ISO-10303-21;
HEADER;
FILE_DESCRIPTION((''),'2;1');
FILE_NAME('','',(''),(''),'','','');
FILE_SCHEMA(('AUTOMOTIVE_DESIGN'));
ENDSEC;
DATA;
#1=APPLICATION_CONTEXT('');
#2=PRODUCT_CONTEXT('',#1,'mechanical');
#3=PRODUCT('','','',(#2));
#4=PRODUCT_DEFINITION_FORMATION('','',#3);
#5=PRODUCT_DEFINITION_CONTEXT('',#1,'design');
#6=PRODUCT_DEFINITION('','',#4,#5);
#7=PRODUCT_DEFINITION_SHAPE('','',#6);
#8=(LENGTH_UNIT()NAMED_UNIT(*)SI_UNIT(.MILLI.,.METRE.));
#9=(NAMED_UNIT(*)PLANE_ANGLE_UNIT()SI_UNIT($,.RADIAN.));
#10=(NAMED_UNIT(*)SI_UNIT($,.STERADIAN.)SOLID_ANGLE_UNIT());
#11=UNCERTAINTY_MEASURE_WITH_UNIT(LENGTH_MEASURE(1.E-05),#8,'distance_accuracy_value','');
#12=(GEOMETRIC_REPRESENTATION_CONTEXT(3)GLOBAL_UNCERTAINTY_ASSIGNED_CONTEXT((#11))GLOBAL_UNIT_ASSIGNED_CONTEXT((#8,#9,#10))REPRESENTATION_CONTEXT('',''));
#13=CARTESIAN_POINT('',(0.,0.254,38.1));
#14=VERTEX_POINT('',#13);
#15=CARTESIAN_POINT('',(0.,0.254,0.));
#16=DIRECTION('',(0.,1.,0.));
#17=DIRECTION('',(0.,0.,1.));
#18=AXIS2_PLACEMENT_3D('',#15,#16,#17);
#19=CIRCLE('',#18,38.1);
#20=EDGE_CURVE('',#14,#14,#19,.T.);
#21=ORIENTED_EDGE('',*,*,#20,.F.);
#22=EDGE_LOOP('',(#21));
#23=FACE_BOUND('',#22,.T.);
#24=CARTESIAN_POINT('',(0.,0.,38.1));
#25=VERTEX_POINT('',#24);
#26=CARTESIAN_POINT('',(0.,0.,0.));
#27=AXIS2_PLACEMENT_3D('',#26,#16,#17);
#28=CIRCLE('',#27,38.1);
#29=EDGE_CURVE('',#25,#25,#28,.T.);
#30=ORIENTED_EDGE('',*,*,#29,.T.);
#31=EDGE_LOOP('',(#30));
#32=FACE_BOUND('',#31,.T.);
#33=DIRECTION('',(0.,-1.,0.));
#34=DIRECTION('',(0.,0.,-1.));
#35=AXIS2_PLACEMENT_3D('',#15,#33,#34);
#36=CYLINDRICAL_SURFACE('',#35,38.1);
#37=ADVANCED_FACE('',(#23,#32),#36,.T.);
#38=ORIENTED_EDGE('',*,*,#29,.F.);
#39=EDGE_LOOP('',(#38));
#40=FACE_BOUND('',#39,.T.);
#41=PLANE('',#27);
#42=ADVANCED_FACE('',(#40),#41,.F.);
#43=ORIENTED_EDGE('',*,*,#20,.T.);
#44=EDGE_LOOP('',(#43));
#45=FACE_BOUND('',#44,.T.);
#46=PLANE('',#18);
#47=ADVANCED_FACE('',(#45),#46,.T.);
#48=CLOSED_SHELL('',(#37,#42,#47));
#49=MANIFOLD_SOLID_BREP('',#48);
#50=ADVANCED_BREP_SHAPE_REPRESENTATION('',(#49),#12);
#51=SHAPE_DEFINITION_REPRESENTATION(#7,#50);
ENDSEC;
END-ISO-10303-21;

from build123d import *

# Parameters (mm, degrees)
SKETCH1_R           = 38.1
BOSS_EXTRUDE1_DEPTH = 0.254


with BuildPart() as part:
    # Sketch1 → Boss-Extrude1 (new body)
    with BuildSketch(Plane(origin=(0, 0, 0), x_dir=(1, 0, 0), z_dir=(0, 1, 0))):
        Circle(SKETCH1_R)
    extrude(amount=BOSS_EXTRUDE1_DEPTH)


solid = part.part
